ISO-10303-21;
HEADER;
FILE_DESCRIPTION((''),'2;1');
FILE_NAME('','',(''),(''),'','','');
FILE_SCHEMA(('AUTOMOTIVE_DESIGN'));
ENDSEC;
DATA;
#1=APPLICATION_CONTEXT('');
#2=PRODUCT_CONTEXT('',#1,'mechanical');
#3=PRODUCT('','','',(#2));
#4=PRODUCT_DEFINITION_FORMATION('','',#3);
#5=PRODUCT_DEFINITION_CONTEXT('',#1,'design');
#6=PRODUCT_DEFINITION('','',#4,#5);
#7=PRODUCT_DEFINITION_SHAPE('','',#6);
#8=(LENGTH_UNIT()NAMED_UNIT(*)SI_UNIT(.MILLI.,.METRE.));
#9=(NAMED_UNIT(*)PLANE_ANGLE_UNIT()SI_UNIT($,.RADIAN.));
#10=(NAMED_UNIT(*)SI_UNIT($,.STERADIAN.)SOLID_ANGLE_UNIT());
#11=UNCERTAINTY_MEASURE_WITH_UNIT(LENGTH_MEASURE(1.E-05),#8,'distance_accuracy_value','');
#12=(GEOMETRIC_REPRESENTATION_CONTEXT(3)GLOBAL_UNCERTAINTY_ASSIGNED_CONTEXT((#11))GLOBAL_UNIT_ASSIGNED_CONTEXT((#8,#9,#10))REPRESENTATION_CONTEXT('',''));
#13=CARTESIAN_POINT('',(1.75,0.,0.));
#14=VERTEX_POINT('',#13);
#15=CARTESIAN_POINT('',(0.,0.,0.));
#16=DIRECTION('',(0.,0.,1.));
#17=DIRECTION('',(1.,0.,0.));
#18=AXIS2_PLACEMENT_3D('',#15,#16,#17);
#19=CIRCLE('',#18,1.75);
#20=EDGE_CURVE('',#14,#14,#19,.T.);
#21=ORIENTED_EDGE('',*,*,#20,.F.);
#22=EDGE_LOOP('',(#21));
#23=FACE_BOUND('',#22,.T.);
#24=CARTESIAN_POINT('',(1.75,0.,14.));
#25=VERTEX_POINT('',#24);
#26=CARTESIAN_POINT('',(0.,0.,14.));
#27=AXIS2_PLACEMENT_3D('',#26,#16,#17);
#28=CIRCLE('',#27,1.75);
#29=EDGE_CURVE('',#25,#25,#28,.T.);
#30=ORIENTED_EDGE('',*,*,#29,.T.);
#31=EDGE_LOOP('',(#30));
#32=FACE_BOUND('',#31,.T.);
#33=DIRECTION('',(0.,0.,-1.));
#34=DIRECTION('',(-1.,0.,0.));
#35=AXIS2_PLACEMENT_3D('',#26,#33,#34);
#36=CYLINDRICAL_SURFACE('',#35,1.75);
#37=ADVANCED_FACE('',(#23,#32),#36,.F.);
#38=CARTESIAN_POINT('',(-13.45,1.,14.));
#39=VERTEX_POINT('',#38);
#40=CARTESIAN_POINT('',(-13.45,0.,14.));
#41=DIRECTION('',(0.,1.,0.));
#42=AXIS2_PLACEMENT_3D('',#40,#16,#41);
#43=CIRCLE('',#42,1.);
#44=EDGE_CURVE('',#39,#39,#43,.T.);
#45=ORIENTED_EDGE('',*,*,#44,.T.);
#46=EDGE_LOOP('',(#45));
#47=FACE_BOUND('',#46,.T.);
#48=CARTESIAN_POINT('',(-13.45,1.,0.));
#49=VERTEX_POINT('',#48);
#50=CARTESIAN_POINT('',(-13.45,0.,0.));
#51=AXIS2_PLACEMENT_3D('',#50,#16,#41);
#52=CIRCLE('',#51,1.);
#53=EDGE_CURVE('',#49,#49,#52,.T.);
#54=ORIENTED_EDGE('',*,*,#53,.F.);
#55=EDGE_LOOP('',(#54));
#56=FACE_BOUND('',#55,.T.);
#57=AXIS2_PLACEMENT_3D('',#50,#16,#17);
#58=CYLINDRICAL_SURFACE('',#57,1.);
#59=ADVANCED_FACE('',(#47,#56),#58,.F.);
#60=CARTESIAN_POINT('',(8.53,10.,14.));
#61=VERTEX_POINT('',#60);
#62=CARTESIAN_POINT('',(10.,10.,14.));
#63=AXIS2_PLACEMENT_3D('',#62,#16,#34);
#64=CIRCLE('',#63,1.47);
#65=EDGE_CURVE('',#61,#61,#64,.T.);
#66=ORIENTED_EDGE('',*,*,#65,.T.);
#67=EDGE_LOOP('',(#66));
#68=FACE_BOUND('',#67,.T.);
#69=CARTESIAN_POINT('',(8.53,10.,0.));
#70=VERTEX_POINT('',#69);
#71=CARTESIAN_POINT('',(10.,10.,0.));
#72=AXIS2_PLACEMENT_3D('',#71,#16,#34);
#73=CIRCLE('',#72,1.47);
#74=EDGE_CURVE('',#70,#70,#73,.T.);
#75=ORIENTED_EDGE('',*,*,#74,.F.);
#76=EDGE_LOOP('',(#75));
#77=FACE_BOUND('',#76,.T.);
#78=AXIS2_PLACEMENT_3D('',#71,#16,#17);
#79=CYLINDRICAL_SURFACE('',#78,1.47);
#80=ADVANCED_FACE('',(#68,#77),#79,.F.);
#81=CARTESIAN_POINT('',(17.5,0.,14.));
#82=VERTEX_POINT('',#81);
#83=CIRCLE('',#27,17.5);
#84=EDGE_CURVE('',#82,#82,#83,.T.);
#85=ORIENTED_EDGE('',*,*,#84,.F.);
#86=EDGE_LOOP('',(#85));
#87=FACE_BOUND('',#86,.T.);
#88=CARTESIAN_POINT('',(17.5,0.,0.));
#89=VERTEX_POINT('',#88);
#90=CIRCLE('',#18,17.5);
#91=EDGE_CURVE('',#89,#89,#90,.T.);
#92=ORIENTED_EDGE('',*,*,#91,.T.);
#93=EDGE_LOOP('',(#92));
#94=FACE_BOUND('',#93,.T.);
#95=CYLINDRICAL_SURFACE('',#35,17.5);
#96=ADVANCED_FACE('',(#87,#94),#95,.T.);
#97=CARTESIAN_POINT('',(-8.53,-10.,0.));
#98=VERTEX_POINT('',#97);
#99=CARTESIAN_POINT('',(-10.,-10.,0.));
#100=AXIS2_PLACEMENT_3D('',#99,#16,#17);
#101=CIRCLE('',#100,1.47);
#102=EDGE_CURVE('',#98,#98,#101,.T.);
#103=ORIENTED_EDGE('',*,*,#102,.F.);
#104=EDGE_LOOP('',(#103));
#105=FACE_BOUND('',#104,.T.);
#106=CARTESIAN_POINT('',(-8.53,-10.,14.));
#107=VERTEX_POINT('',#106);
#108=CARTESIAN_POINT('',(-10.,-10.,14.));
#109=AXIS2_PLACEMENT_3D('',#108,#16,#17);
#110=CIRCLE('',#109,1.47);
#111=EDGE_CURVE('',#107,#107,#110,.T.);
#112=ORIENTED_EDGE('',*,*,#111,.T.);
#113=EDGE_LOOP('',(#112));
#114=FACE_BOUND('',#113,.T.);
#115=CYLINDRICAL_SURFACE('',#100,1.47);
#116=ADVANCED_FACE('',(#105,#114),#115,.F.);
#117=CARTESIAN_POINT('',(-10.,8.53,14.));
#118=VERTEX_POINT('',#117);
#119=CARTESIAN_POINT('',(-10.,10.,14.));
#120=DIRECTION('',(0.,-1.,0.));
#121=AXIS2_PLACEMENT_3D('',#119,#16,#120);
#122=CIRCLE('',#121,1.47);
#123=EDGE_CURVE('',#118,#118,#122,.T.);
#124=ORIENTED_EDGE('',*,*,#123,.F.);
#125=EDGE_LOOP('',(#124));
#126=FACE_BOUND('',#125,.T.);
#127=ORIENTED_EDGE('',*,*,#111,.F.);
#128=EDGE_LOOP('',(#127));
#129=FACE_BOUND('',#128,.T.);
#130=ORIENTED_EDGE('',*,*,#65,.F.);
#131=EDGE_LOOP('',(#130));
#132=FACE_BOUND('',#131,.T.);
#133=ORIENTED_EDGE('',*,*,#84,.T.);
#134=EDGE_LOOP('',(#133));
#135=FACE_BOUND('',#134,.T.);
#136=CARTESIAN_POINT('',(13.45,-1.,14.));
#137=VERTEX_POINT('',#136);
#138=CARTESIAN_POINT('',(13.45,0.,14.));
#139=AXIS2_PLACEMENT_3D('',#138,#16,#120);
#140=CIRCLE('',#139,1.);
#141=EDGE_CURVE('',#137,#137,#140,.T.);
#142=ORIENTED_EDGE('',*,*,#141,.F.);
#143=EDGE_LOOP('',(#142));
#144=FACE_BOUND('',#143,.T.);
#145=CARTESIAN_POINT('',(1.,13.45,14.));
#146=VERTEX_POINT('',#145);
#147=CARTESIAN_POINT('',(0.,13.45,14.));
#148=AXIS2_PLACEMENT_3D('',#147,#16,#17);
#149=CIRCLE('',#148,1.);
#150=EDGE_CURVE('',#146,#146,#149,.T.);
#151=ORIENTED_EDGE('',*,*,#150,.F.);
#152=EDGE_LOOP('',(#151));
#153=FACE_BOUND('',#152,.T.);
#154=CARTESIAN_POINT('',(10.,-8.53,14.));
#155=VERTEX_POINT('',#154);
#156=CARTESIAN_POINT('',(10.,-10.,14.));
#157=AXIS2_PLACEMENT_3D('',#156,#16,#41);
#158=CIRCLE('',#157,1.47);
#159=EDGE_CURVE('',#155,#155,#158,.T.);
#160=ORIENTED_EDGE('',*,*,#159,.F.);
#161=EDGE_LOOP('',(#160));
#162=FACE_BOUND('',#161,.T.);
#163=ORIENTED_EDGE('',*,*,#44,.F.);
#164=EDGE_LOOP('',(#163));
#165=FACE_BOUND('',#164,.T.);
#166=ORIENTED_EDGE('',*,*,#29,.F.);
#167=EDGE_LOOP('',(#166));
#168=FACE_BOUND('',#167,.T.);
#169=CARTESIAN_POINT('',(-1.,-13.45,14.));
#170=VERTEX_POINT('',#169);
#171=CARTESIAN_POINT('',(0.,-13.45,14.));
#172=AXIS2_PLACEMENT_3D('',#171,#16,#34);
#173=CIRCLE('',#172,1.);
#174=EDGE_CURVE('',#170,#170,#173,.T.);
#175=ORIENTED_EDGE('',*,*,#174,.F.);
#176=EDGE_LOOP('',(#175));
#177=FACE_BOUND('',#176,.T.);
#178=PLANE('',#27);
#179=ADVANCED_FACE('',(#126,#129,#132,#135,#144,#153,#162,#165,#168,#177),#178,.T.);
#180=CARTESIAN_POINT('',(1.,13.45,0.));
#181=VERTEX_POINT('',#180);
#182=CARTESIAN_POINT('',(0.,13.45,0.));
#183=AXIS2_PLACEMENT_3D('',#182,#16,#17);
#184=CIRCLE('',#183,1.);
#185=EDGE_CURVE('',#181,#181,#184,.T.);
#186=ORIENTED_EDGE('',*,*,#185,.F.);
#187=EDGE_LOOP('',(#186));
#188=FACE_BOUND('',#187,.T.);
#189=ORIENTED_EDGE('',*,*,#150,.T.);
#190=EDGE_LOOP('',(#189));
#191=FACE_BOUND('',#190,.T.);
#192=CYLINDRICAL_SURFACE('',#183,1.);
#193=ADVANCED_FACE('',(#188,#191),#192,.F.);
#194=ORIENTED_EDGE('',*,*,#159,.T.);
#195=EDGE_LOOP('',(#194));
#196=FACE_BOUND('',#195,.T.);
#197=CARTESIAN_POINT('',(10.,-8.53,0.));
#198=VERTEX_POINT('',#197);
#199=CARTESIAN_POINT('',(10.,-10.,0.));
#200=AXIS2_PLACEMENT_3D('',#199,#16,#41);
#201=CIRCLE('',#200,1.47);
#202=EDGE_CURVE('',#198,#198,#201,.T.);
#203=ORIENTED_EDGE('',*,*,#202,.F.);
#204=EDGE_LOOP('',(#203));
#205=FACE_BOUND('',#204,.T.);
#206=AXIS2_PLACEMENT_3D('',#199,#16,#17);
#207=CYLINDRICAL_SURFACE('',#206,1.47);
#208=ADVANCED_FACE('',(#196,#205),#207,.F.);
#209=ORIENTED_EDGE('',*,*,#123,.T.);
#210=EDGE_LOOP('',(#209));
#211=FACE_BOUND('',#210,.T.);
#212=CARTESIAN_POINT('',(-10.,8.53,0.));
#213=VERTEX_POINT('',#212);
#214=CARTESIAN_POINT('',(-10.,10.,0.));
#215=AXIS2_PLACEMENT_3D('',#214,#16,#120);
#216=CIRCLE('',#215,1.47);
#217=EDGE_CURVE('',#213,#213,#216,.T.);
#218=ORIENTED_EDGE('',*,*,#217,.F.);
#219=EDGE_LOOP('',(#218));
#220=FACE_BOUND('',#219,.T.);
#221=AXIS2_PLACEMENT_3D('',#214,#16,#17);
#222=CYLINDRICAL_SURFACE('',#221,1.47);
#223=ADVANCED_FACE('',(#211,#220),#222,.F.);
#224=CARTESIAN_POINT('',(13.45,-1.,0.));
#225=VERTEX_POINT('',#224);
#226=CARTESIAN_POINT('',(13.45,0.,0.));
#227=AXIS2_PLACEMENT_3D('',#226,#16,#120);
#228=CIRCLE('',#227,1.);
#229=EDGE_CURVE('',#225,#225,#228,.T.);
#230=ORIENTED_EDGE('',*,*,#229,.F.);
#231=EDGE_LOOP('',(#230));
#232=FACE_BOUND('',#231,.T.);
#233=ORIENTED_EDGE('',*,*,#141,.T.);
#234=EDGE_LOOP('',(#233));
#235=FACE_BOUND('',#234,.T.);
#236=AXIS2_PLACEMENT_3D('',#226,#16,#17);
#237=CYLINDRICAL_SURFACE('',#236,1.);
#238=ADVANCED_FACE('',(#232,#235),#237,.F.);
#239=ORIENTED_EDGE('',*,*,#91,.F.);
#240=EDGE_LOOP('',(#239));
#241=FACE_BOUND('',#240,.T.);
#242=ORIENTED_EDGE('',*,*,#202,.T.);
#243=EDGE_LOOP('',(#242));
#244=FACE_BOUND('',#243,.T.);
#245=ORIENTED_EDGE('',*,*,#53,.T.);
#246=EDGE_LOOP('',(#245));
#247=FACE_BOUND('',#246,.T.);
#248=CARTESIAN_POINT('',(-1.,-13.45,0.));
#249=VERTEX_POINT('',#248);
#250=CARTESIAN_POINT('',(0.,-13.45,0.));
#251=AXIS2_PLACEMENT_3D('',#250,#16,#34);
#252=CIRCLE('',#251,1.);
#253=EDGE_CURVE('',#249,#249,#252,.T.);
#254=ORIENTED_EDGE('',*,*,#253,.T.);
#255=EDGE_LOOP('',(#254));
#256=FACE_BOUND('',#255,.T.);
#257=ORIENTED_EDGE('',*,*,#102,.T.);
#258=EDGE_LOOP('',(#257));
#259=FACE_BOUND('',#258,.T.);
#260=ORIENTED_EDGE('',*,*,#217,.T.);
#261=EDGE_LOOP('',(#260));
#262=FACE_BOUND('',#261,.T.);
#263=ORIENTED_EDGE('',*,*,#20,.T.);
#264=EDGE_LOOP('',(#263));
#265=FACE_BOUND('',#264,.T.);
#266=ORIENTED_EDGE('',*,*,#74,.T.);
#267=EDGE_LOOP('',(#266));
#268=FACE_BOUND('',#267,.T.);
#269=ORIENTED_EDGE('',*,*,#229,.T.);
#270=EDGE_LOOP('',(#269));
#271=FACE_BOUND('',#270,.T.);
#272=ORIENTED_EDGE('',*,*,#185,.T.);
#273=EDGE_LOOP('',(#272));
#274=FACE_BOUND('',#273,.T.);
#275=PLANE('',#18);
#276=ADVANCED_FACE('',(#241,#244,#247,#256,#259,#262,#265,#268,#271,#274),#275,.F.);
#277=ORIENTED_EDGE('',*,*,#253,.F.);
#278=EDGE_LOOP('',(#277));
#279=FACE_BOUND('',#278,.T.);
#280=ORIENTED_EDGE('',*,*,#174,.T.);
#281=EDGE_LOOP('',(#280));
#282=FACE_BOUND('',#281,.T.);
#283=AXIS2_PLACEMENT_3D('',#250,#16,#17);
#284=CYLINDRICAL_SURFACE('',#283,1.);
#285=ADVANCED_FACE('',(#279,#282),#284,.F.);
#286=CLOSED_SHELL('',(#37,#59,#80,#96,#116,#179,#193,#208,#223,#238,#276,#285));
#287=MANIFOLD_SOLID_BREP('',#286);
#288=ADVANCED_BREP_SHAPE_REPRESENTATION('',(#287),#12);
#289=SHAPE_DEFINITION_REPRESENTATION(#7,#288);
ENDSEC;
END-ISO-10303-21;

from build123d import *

# Parameters (mm, degrees)
SKETCH1_R           = 17.5
SKETCH1_R_2         = 1.75
BOSS_EXTRUDE1_DEPTH = 14
SKETCH2_R           = 1
CUT_EXTRUDE1_DEPTH  = 29.434134416
CIRPATTERN1_COUNT   = 4
SKETCH3_R           = 1.47
CUT_EXTRUDE2_DEPTH  = 29.434134416
CIRPATTERN2_COUNT   = 4


with BuildPart() as part:
    # Sketch1 → Boss-Extrude1 (new body)
    with BuildSketch(Plane.XY):
        Circle(SKETCH1_R)
        Circle(SKETCH1_R_2, mode=Mode.SUBTRACT)
    extrude(amount=BOSS_EXTRUDE1_DEPTH)

    # Sketch2 → Cut-Extrude1 (cut, through all)
    with BuildSketch(Plane.XY.offset(14)):
        with Locations((0, 13.45)):
            Circle(SKETCH2_R)
    cut_extrude1 = extrude(amount=-CUT_EXTRUDE1_DEPTH, mode=Mode.SUBTRACT)

    # CirPattern1: Cut-Extrude1 ×4 about axis
    cirpattern1_axis = Axis((0, 0, 0), (0, 0, 1))
    for i in range(1, CIRPATTERN1_COUNT):
        add(cut_extrude1.rotate(cirpattern1_axis, i * 360 / CIRPATTERN1_COUNT), mode=Mode.SUBTRACT)

    # Sketch3 → Cut-Extrude2 (cut, through all)
    with BuildSketch(Plane.XY.offset(14)):
        with Locations((-10, -10)):
            Circle(SKETCH3_R)
    cut_extrude2 = extrude(amount=-CUT_EXTRUDE2_DEPTH, mode=Mode.SUBTRACT)

    # CirPattern2: Cut-Extrude2 ×4 about axis
    cirpattern2_axis = Axis((0, 0, 0), (0, 0, 1))
    for i in range(1, CIRPATTERN2_COUNT):
        add(cut_extrude2.rotate(cirpattern2_axis, i * 360 / CIRPATTERN2_COUNT), mode=Mode.SUBTRACT)


solid = part.part
